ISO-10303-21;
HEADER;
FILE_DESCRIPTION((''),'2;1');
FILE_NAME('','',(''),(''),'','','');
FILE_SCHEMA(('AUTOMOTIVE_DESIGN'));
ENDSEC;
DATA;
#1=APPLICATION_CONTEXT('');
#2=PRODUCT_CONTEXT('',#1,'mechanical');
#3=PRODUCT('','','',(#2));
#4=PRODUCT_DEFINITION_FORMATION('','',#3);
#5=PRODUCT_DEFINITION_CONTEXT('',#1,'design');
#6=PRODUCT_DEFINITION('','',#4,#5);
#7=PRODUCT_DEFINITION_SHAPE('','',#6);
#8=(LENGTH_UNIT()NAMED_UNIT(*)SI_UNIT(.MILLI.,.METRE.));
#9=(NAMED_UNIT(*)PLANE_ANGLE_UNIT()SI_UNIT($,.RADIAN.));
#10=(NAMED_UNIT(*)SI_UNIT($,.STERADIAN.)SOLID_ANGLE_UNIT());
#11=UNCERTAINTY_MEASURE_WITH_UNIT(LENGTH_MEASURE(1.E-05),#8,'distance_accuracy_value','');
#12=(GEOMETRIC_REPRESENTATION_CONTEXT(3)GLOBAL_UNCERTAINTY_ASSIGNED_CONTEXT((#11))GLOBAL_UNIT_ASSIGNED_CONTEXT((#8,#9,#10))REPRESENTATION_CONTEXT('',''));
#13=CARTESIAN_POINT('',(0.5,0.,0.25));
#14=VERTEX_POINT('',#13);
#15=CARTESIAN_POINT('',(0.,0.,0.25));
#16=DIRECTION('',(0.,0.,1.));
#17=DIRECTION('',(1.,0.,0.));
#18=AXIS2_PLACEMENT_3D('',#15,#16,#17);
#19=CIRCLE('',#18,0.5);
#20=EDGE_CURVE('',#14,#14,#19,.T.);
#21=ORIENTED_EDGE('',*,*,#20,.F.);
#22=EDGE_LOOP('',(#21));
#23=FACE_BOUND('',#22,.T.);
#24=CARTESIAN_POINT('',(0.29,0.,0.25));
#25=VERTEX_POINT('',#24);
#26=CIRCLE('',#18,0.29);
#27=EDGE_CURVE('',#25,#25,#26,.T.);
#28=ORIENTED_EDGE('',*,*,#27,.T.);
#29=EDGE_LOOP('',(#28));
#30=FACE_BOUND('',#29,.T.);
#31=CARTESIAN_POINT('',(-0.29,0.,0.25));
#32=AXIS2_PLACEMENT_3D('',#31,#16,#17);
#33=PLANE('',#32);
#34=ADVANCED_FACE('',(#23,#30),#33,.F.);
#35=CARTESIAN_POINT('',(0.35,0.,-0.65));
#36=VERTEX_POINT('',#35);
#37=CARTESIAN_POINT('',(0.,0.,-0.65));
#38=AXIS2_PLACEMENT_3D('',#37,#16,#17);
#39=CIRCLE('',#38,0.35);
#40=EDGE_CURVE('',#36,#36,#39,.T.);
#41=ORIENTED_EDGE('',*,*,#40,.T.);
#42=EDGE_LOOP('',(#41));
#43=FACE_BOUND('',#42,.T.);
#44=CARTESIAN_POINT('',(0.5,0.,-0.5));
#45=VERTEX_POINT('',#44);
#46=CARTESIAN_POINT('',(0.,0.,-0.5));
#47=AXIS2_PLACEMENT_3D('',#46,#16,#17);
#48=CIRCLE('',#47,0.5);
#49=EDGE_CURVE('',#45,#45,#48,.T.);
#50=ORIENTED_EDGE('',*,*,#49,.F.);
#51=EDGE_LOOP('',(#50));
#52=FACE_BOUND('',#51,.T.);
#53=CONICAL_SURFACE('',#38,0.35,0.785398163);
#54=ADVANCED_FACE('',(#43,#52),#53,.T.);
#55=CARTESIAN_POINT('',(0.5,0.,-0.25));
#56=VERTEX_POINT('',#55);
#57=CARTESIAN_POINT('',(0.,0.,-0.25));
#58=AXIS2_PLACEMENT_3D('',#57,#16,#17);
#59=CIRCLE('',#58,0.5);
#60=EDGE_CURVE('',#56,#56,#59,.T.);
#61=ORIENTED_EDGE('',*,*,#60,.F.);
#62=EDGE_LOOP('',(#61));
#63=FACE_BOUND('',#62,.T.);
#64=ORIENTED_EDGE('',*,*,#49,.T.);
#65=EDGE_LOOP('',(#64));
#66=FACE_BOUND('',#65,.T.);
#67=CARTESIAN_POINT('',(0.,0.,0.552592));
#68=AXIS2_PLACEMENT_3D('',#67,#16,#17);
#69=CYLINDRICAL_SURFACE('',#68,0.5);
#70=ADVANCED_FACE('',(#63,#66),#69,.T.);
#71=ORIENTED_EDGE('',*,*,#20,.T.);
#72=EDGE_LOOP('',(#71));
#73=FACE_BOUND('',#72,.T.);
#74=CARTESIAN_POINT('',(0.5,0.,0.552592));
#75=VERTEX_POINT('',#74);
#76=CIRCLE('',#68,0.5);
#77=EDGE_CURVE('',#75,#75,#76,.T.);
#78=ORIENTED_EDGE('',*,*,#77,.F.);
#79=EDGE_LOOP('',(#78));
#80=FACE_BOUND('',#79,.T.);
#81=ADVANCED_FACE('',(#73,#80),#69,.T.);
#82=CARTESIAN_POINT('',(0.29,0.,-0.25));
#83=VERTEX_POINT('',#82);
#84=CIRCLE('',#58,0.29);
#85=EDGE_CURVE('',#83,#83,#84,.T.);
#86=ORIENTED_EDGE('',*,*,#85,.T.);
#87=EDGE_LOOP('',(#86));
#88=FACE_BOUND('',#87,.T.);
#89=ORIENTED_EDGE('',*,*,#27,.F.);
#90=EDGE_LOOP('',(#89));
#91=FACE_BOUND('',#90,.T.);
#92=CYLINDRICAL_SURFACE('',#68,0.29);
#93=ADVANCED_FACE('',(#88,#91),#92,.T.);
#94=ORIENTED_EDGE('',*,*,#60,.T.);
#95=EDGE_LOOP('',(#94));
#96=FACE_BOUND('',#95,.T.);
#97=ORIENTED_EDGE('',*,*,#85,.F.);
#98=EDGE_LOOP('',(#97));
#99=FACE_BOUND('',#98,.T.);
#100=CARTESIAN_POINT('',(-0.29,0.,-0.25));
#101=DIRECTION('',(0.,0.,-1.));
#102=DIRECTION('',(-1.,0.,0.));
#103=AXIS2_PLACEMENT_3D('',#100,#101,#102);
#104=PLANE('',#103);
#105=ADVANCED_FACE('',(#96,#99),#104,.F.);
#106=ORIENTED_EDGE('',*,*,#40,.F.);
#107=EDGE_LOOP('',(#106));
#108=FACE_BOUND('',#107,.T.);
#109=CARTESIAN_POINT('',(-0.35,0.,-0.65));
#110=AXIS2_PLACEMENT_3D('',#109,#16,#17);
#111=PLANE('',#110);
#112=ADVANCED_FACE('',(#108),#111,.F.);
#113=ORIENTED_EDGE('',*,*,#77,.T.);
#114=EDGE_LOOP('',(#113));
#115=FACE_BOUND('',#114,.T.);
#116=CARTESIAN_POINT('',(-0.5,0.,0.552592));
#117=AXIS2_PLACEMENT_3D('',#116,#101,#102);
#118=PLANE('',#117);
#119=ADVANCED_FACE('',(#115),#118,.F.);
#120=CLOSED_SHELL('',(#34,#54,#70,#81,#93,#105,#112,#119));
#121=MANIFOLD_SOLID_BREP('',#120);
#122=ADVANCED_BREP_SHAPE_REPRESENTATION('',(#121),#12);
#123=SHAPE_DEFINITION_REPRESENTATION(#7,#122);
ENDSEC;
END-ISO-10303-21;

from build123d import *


with BuildPart() as part:
    # Sketch1 → Revolve1 (revolve)
    with BuildSketch(Plane(origin=(0, 0, 0), x_dir=(1, 0, 0), z_dir=(0, 1, 0)), mode=Mode.PRIVATE) as revolve1_sk:
        Polygon((0, -0.552592012), (0, 0.65), (-0.35, 0.65), (-0.5, 0.5), (-0.5, 0.25), (-0.29, 0.25), (-0.29, -0.25), (-0.5, -0.25), (-0.5, -0.552592012), align=None)
    revolve(revolve1_sk.sketch.rotate(Axis((0, 0, 0.552592012), (0, 0, -1)), 180), axis=Axis((0, 0, 0.552592012), (0, 0, -1)))


solid = part.part
